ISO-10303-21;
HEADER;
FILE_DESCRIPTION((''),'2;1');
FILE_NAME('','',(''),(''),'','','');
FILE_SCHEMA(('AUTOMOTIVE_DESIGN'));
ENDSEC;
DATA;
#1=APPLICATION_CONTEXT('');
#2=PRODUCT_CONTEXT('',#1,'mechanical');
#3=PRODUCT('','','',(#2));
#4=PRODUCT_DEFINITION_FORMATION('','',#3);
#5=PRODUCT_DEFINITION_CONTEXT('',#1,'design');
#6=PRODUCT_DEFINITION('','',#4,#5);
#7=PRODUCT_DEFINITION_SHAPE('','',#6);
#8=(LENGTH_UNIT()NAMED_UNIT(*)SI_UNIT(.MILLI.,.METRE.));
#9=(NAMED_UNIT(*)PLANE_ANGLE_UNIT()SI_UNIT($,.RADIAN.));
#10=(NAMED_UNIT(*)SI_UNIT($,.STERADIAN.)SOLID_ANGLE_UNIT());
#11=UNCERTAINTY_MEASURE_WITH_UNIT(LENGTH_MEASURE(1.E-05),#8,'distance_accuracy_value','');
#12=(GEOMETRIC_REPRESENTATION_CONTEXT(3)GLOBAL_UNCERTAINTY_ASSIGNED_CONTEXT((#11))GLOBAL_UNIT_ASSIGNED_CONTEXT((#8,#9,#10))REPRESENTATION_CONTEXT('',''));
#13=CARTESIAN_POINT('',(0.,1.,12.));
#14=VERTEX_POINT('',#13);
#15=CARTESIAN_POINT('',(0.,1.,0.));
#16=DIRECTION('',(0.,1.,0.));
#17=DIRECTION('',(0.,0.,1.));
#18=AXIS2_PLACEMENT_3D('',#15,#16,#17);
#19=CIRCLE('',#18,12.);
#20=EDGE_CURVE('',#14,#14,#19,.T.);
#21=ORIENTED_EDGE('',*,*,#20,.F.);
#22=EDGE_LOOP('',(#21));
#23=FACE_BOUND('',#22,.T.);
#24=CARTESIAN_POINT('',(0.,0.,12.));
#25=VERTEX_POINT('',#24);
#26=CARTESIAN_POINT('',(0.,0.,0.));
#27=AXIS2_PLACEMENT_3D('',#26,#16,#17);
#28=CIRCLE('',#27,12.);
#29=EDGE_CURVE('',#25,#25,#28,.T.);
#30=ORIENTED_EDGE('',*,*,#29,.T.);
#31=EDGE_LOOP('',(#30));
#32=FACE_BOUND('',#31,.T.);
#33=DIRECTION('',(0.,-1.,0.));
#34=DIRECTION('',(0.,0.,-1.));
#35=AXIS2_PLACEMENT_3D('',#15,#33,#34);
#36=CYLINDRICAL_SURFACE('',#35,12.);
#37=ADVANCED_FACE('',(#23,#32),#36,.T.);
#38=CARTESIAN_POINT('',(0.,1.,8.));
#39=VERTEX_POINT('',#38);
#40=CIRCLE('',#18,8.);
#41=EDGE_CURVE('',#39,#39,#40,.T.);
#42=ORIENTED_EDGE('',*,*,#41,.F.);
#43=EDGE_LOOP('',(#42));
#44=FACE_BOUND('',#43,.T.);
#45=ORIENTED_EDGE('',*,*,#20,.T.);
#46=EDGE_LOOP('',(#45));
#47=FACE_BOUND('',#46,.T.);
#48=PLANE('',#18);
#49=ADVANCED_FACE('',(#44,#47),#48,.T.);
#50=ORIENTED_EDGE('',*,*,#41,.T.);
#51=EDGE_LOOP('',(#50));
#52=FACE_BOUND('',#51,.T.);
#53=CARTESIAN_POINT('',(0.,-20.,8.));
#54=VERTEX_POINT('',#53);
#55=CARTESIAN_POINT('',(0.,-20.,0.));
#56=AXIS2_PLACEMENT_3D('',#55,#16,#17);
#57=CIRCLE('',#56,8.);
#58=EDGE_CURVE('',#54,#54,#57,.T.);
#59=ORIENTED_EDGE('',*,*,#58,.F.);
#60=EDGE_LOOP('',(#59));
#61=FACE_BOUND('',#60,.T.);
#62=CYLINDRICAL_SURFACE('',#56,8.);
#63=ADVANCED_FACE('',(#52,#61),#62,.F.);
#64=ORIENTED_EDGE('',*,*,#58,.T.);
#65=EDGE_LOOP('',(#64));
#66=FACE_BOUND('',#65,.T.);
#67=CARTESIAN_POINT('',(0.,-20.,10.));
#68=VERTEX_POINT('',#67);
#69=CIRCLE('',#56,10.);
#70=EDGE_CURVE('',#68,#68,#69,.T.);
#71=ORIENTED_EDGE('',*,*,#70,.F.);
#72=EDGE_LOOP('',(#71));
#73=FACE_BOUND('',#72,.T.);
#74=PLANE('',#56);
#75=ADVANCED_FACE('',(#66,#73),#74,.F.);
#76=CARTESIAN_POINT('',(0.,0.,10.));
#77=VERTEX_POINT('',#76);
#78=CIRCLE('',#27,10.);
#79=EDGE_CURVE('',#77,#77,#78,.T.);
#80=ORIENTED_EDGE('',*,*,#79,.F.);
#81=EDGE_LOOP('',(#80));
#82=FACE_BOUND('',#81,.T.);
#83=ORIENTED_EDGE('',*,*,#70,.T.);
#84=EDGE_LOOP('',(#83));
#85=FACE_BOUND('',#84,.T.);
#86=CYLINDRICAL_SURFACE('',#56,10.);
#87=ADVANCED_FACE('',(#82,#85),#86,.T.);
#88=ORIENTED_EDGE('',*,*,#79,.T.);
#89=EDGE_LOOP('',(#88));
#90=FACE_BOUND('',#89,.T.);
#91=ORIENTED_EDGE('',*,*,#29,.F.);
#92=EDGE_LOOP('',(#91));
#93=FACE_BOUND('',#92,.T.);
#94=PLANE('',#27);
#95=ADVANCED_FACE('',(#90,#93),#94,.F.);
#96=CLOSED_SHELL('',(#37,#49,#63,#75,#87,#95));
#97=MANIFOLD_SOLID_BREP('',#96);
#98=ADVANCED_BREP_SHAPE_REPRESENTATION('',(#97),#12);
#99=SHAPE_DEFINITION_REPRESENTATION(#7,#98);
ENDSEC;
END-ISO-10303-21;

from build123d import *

# Parameters (mm, degrees)
SKETCH2_R           = 10
SKETCH2_R_2         = 8
BOSS_EXTRUDE1_DEPTH = 20
BOSS_EXTRUDE2_START = 1
SKETCH3_R           = 12
SKETCH3_R_2         = 8
BOSS_EXTRUDE2_DEPTH = 1


with BuildPart() as part:
    # Sketch2 → Boss-Extrude1 (new body)
    with BuildSketch(Plane(origin=(0, 0, 0), x_dir=(1, 0, 0), z_dir=(0, 1, 0))):
        with Locations(Location((0, 0, 0), (0, 0, 270))):
            Circle(SKETCH2_R)
        with Locations(Location((0, 0, 0), (0, 0, 270))):
            Circle(SKETCH2_R_2, mode=Mode.SUBTRACT)
    extrude(amount=-BOSS_EXTRUDE1_DEPTH)

    # Sketch3 → Boss-Extrude2 (add)
    with BuildSketch(Plane(origin=(0, 0, 0), x_dir=(1, 0, 0), z_dir=(0, 1, 0)).offset(BOSS_EXTRUDE2_START)):
        with Locations(Location((0, 0, 0), (0, 0, 270))):
            Circle(SKETCH3_R)
        with Locations(Location((0, 0, 0), (0, 0, 270))):
            Circle(SKETCH3_R_2, mode=Mode.SUBTRACT)
    extrude(amount=-BOSS_EXTRUDE2_DEPTH)


solid = part.part
